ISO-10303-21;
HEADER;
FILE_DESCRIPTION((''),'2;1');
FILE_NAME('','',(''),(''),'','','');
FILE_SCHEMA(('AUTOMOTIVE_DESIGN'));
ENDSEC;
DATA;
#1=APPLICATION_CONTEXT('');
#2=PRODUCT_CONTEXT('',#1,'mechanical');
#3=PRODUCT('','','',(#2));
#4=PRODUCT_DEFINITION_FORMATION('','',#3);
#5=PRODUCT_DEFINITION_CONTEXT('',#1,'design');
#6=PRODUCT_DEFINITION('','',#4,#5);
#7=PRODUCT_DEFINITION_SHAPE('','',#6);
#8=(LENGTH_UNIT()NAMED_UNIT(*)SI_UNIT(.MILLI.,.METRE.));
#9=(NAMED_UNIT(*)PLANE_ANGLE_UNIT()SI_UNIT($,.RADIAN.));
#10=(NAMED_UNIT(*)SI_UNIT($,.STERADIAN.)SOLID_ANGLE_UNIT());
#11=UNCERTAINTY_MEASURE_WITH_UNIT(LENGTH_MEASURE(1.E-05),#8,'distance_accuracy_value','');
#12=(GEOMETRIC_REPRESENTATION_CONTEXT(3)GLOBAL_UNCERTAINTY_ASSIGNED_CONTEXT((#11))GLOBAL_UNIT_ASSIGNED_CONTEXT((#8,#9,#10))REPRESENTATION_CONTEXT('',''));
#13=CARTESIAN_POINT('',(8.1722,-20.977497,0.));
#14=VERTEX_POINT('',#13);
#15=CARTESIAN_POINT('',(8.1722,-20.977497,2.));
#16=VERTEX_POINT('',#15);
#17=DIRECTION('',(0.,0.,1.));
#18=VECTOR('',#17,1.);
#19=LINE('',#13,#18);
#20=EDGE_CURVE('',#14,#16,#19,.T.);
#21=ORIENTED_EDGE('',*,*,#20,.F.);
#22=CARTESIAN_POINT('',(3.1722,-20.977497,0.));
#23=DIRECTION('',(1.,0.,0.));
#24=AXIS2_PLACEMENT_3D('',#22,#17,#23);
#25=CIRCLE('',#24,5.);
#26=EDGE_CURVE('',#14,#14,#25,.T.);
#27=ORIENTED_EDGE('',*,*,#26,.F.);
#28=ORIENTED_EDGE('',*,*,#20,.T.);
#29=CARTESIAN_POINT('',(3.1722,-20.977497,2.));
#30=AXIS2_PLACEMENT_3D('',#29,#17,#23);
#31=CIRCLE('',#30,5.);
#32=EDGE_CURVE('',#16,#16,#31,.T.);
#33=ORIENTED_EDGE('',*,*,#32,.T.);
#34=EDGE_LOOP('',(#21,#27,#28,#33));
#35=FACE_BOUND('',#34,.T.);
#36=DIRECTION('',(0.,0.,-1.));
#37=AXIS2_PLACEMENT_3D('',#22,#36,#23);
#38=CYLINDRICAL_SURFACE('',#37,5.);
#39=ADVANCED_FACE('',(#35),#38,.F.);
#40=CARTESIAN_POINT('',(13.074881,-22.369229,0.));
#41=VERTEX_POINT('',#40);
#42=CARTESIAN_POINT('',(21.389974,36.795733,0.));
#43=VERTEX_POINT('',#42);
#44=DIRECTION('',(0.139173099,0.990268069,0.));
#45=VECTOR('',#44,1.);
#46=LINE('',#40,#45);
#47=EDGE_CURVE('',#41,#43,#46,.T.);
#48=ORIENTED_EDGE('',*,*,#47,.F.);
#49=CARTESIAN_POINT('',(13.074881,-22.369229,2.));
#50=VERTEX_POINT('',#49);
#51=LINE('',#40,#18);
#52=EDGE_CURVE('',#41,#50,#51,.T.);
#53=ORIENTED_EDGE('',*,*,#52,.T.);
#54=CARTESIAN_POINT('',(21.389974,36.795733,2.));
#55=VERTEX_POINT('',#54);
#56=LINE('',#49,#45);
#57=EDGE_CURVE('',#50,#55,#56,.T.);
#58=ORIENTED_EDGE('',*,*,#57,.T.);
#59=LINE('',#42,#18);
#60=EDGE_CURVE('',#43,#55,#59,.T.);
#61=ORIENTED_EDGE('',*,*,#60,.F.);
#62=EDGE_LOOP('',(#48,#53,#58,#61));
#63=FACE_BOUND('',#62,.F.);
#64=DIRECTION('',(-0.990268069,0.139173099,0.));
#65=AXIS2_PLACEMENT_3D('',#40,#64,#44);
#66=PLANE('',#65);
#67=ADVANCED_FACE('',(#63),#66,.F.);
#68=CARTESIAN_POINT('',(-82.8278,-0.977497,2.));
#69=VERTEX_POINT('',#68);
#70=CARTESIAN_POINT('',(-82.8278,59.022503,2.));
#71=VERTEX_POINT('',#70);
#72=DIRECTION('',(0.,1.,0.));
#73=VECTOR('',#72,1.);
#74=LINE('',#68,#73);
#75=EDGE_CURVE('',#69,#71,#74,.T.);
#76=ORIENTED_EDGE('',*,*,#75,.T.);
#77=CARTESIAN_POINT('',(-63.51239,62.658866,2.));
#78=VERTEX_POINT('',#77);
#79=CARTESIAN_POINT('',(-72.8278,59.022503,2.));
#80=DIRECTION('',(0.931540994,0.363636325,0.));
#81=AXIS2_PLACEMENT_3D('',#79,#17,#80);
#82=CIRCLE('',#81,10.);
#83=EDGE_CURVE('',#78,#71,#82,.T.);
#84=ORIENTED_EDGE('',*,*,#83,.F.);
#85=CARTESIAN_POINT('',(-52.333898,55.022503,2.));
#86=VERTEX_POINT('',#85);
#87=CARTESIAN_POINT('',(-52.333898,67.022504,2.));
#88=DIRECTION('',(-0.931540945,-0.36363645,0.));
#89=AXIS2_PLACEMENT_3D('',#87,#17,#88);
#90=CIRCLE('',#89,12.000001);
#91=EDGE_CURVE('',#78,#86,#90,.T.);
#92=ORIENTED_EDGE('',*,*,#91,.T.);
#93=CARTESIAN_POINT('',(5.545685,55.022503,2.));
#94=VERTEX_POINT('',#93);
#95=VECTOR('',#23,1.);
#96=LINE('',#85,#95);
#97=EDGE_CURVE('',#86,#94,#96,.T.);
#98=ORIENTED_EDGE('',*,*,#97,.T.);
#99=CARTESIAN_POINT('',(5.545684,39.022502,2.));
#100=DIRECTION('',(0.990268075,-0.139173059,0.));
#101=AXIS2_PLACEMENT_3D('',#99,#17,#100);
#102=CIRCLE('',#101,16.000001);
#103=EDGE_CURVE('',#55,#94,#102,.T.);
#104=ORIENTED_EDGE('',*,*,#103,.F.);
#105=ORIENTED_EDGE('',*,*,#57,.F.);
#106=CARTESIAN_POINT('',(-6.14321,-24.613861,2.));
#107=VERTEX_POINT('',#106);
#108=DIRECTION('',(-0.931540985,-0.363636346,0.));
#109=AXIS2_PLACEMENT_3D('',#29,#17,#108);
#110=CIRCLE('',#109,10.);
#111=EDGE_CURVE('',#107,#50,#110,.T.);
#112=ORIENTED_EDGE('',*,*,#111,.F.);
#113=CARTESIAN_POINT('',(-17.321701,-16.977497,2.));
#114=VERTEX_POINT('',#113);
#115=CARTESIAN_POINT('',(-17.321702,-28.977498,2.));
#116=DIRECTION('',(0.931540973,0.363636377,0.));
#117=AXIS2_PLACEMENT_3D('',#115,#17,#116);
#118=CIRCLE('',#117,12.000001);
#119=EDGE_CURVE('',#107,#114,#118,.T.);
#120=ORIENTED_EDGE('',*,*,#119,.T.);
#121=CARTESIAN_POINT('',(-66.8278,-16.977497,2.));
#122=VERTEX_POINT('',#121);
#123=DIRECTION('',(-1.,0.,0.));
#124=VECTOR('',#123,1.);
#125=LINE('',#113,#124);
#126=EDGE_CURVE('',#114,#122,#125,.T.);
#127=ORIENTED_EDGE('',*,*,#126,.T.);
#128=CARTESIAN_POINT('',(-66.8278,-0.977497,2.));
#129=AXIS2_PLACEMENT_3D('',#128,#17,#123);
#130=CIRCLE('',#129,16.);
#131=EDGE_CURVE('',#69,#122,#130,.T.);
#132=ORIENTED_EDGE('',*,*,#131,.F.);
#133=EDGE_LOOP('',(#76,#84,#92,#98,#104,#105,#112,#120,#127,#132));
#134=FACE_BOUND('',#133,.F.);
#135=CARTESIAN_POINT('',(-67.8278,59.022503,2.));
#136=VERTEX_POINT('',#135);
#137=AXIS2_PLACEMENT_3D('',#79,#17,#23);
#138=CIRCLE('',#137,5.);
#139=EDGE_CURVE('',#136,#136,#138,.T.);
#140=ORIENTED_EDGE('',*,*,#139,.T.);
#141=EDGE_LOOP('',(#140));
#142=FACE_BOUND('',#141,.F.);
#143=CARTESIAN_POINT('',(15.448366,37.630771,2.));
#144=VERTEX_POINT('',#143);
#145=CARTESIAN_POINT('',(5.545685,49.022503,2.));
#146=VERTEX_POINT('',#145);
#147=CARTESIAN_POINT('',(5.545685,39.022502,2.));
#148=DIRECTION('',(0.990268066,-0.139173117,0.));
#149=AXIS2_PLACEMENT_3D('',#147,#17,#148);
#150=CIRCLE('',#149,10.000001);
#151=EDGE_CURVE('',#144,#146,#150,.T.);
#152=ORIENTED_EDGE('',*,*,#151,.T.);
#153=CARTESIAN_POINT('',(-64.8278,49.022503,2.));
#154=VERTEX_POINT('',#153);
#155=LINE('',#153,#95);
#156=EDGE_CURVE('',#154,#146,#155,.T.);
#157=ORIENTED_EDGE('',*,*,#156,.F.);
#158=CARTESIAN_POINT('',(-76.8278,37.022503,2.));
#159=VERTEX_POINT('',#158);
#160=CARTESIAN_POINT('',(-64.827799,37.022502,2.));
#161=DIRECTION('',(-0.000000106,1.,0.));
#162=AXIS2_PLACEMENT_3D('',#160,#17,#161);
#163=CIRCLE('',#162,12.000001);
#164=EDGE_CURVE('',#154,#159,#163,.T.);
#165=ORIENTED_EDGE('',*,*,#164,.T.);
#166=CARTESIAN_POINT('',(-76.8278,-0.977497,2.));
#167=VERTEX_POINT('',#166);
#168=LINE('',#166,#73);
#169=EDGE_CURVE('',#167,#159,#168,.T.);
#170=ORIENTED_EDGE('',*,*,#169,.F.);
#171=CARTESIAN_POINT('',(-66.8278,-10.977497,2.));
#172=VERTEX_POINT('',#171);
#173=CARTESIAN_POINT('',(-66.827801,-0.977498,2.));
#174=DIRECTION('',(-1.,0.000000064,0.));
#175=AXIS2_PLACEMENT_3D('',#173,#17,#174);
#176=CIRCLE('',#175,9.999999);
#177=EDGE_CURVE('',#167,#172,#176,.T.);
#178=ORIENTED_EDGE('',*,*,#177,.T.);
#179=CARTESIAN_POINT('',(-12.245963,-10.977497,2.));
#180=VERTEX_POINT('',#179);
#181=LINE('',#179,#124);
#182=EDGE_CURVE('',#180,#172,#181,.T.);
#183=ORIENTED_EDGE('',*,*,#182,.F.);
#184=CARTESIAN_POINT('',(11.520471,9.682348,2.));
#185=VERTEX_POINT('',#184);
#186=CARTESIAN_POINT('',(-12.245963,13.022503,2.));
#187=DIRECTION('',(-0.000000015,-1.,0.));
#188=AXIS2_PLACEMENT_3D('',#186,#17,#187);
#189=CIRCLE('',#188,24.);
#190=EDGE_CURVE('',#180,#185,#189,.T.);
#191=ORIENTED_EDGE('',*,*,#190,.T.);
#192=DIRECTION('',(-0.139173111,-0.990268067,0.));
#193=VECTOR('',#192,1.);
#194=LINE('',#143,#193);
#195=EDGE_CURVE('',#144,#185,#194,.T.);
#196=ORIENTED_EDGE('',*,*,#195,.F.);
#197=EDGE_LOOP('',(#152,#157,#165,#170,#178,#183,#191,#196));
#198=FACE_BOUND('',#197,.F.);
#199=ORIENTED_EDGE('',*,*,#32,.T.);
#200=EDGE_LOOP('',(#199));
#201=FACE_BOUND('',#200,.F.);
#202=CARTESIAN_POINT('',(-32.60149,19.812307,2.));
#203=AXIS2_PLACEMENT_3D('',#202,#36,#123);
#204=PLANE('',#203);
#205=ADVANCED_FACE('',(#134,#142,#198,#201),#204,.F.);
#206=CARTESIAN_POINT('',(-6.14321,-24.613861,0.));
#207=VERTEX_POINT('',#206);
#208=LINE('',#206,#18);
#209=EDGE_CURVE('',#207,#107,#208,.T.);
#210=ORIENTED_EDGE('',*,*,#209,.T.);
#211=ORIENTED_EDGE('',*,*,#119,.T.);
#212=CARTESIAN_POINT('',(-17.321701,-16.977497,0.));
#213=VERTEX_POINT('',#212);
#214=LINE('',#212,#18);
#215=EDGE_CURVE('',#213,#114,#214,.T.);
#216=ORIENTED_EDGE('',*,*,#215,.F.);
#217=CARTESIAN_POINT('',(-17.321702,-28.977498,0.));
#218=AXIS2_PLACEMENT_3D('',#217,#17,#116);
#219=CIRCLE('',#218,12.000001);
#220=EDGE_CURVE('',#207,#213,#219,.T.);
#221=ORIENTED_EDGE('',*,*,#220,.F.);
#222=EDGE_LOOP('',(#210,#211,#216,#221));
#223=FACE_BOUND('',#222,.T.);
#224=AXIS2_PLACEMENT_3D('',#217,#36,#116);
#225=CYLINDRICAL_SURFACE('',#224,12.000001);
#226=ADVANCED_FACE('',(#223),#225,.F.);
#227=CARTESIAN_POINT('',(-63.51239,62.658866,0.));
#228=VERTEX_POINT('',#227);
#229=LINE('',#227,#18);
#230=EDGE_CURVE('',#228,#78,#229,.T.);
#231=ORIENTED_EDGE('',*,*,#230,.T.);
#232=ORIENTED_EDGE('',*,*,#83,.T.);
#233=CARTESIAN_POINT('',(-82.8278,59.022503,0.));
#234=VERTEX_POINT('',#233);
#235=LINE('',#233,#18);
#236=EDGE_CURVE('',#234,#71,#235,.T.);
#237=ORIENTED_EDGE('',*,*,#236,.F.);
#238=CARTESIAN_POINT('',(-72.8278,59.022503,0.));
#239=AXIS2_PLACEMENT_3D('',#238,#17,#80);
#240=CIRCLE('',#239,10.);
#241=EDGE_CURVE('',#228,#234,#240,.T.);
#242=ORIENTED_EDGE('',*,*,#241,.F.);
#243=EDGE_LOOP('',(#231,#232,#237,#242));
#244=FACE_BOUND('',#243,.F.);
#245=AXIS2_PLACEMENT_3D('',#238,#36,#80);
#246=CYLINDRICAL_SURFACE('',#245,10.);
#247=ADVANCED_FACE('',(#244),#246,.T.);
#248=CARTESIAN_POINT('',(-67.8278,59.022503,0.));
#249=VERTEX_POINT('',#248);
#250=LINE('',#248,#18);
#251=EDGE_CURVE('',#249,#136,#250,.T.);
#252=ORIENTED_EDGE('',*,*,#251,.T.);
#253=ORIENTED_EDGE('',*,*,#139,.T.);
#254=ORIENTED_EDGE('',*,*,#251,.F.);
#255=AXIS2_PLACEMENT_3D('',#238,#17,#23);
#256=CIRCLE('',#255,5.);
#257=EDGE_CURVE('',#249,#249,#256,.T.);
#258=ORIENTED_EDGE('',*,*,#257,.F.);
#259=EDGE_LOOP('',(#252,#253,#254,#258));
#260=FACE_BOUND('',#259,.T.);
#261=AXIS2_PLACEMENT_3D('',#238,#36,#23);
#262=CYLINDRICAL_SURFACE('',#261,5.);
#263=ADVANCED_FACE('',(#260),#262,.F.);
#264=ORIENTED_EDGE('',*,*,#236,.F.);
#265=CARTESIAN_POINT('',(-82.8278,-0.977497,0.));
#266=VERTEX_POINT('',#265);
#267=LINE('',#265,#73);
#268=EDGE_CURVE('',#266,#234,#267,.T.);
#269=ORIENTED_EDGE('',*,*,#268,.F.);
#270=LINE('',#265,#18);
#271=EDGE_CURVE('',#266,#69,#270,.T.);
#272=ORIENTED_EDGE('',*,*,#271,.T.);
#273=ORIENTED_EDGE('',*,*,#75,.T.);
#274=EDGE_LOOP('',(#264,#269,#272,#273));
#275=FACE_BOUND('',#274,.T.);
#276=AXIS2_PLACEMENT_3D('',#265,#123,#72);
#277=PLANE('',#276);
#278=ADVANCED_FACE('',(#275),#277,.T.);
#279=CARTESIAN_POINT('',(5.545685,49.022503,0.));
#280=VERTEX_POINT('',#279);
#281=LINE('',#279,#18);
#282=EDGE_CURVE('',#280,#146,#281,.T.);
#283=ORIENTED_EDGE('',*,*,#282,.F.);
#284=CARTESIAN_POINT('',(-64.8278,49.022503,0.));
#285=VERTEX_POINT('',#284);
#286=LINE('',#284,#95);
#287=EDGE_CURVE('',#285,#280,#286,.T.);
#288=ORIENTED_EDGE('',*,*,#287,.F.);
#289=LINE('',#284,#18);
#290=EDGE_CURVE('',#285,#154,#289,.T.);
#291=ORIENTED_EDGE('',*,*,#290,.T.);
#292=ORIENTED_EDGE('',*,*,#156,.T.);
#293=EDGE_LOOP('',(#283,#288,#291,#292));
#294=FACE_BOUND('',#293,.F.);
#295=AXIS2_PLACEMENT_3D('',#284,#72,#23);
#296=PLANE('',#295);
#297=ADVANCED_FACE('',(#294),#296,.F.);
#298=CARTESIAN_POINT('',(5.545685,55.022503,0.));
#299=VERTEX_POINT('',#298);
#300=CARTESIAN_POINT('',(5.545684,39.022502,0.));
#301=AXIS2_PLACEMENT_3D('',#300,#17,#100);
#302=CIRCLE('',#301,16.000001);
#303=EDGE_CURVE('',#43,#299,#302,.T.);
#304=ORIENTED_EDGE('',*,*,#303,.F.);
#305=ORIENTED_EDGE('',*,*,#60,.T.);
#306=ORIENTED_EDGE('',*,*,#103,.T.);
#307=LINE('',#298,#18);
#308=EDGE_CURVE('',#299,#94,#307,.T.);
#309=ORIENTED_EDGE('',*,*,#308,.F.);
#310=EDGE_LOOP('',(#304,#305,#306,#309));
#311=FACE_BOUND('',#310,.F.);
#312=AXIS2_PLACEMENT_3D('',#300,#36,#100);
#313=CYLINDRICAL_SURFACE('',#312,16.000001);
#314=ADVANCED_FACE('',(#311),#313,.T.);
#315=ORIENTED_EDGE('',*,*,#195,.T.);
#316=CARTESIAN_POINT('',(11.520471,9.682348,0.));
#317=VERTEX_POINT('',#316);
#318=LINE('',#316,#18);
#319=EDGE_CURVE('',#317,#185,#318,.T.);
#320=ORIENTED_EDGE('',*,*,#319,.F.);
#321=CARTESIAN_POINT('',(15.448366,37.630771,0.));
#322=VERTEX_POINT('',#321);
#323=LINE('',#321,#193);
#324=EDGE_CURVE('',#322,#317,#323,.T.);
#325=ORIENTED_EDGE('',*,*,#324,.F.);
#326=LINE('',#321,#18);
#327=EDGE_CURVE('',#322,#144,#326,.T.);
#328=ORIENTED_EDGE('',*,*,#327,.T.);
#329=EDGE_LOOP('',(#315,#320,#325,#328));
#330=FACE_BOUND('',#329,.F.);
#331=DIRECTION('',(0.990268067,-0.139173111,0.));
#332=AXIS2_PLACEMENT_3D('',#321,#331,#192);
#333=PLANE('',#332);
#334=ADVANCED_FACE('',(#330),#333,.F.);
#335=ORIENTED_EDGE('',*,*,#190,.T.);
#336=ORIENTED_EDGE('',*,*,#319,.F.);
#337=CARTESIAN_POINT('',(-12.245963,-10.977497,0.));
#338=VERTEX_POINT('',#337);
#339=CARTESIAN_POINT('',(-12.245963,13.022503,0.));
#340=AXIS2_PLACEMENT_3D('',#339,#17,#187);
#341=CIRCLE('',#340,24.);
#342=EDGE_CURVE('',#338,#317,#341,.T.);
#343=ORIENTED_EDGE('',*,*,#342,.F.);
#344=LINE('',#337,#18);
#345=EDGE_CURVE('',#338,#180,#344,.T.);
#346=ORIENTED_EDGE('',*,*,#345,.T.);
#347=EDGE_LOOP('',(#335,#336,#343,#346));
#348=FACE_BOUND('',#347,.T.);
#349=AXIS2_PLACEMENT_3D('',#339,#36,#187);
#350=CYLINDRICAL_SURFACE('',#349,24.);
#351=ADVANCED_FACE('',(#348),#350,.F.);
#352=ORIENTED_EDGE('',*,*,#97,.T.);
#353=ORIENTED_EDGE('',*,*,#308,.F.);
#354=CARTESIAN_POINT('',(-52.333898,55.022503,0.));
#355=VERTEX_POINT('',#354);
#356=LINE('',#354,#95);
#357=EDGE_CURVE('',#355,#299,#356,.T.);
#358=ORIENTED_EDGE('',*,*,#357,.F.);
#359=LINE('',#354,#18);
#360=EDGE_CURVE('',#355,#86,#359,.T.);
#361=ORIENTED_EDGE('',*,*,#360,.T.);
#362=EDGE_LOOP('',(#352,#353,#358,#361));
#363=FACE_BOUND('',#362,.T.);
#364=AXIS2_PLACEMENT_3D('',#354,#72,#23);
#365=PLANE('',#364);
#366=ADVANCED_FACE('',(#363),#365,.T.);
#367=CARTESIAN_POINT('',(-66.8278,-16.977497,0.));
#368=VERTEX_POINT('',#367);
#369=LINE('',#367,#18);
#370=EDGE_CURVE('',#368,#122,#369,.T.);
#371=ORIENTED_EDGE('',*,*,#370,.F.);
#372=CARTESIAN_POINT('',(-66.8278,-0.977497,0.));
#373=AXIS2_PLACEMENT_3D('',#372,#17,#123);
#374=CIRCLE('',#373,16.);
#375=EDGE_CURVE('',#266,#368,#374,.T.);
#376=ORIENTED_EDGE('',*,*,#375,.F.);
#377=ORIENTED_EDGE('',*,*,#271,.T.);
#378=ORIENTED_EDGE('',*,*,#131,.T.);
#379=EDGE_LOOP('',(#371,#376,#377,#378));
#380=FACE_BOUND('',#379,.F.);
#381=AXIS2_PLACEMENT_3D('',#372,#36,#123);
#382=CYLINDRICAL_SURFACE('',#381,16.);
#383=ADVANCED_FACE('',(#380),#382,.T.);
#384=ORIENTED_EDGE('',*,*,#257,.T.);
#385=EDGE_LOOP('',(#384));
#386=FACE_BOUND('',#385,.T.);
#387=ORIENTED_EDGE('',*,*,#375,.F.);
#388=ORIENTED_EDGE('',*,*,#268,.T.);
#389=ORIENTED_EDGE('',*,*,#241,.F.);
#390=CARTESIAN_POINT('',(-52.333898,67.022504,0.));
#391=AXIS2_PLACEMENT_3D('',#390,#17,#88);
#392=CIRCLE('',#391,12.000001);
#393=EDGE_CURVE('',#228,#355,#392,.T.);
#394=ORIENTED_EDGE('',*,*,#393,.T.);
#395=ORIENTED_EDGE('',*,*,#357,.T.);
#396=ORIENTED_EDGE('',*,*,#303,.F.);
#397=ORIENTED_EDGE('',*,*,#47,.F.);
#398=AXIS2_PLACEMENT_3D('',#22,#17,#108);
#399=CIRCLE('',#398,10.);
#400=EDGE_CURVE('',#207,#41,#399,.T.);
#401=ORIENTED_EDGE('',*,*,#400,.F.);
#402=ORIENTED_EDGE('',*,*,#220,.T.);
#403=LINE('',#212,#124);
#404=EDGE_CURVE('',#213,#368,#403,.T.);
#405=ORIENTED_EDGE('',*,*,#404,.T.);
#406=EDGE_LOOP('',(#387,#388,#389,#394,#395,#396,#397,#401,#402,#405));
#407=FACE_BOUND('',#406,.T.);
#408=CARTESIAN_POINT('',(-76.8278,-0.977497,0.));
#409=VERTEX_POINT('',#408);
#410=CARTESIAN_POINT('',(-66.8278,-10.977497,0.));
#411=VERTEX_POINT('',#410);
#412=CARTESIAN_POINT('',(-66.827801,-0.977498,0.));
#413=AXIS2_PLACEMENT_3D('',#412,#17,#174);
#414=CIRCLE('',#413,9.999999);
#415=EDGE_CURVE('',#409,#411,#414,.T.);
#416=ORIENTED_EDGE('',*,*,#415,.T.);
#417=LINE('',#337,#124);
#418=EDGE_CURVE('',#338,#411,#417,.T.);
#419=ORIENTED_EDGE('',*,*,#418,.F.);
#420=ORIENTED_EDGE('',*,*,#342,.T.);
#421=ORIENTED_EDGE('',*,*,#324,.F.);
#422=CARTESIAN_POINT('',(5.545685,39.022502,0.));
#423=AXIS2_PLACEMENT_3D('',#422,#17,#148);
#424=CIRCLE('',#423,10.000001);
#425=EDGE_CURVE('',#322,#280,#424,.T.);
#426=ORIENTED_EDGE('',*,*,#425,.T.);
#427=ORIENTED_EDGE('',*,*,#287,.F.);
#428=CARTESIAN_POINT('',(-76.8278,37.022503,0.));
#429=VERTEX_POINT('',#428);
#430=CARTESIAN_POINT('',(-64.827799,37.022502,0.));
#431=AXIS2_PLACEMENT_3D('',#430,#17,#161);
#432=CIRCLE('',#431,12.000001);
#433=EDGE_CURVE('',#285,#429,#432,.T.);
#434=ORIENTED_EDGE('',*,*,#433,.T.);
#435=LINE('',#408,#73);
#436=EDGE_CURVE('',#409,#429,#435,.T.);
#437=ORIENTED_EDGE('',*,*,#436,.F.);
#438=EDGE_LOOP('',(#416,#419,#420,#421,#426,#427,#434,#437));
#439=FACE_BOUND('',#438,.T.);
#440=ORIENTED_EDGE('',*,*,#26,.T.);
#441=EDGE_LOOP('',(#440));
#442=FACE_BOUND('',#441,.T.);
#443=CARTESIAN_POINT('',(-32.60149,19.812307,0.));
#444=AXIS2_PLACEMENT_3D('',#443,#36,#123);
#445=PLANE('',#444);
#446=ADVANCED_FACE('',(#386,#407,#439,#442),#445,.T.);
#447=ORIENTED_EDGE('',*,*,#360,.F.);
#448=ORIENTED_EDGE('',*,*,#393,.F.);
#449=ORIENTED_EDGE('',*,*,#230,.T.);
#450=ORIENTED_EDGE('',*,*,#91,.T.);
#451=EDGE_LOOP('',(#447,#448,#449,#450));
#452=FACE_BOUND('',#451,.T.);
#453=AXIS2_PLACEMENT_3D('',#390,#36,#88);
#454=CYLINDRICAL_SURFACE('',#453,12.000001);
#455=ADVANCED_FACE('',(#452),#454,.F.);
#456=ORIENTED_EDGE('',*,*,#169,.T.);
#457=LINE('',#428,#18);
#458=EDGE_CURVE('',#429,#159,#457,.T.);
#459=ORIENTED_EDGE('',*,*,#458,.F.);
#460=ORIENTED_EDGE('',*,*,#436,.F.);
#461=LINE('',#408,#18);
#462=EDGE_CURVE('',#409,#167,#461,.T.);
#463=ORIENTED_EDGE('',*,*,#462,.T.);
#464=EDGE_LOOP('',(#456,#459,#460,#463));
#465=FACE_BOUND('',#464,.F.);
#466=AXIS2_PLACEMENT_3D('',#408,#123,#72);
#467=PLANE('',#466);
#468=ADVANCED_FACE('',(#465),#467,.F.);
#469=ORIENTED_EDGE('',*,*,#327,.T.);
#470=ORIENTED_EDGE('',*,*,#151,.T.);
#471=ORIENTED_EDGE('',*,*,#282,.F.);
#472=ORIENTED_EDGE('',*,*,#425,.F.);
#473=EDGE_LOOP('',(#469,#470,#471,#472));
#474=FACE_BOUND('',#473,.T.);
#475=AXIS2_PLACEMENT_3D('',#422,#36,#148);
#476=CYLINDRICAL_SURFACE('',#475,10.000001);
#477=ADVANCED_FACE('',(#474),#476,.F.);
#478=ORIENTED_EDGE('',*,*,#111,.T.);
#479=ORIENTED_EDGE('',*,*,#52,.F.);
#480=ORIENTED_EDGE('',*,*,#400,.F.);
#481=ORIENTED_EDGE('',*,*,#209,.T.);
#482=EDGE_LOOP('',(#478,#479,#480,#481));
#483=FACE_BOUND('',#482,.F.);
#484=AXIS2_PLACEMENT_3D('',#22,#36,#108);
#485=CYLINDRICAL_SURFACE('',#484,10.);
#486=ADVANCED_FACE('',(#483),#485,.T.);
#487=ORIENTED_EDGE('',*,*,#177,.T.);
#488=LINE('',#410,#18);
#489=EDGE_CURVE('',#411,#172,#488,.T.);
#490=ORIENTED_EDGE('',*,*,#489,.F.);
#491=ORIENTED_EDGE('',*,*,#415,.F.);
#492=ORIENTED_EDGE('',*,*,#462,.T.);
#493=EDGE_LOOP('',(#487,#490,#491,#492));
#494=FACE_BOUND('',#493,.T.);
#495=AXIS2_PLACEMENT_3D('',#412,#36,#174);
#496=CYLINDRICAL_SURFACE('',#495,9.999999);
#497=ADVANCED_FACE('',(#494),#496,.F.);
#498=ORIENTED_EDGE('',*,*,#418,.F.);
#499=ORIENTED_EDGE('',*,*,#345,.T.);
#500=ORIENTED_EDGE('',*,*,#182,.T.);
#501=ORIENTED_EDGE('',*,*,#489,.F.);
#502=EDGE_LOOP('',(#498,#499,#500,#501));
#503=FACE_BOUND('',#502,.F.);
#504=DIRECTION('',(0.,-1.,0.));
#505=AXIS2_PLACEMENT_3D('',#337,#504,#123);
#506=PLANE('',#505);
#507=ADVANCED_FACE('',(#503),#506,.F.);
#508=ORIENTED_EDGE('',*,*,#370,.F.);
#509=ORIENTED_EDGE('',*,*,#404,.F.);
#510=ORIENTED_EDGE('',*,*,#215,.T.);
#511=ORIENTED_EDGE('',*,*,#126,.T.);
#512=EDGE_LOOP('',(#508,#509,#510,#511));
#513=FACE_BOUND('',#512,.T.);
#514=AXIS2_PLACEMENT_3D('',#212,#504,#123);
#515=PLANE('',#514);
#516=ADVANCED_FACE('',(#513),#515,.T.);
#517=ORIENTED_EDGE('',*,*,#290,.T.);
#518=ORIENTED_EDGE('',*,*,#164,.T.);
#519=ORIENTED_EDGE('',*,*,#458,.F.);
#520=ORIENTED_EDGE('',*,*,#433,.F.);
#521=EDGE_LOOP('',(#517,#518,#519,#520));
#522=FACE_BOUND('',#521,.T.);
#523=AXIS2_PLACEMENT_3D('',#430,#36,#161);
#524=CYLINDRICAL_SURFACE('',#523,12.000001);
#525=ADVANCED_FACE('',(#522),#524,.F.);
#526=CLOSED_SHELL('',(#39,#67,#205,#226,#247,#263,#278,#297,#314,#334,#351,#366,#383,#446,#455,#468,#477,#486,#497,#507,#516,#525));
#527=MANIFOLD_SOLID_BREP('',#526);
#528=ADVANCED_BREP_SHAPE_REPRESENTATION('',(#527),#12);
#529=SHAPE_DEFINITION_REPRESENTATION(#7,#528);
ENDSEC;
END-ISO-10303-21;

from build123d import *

# Parameters (mm, degrees)
SKETCH_R  = 5
PAD_DEPTH = 2


with BuildPart() as part:
    # Sketch → Pad (new body)
    with BuildSketch(Plane.XY):
        with BuildLine():
            Line((-52.333898, 55.022503), (5.545685, 55.022503))
            ThreePointArc((21.389974, 36.795733), (17.621038, 49.519447), (5.545685, 55.022503))
            Line((13.074881, -22.369229), (21.389974, 36.795733))
            ThreePointArc((-6.14321, -24.613861), (4.332293, -30.909979), (13.074881, -22.369229))
            ThreePointArc((-6.14321, -24.613861), (-10.552788, -19.068824), (-17.321701, -16.977497))
            Line((-17.321701, -16.977497), (-66.8278, -16.977497))
            ThreePointArc((-82.8278, -0.977497), (-78.141508, -12.291206), (-66.8278, -16.977497))
            Line((-82.8278, -0.977497), (-82.8278, 59.022503))
            ThreePointArc((-63.51239, 62.658866), (-74.677922, 68.849865), (-82.8278, 59.022503))
            ThreePointArc((-63.51239, 62.658866), (-59.102811, 57.113829), (-52.333898, 55.022503))
        make_face()
        with Locations((3.1722, -20.977497)):
            Circle(SKETCH_R, mode=Mode.SUBTRACT)
        with Locations((-72.8278, 59.022503)):
            Circle(SKETCH_R, mode=Mode.SUBTRACT)
        with BuildLine():
            Line((-64.8278, 49.022503), (5.545685, 49.022503))
            ThreePointArc((15.448366, 37.630771), (13.092781, 45.583093), (5.545685, 49.022503))
            Line((15.448366, 37.630771), (11.520471, 9.682348))
            ThreePointArc((-12.245963, -10.977497), (3.499454, -5.090527), (11.520471, 9.682348))
            Line((-12.245963, -10.977497), (-66.8278, -10.977497))
            ThreePointArc((-76.8278, -0.977497), (-73.898868, -8.048565), (-66.8278, -10.977497))
            Line((-76.8278, -0.977497), (-76.8278, 37.022503))
            ThreePointArc((-64.8278, 49.022503), (-73.313081, 45.507784), (-76.8278, 37.022503))
        make_face(mode=Mode.SUBTRACT)
    extrude(amount=PAD_DEPTH)


solid = part.part
